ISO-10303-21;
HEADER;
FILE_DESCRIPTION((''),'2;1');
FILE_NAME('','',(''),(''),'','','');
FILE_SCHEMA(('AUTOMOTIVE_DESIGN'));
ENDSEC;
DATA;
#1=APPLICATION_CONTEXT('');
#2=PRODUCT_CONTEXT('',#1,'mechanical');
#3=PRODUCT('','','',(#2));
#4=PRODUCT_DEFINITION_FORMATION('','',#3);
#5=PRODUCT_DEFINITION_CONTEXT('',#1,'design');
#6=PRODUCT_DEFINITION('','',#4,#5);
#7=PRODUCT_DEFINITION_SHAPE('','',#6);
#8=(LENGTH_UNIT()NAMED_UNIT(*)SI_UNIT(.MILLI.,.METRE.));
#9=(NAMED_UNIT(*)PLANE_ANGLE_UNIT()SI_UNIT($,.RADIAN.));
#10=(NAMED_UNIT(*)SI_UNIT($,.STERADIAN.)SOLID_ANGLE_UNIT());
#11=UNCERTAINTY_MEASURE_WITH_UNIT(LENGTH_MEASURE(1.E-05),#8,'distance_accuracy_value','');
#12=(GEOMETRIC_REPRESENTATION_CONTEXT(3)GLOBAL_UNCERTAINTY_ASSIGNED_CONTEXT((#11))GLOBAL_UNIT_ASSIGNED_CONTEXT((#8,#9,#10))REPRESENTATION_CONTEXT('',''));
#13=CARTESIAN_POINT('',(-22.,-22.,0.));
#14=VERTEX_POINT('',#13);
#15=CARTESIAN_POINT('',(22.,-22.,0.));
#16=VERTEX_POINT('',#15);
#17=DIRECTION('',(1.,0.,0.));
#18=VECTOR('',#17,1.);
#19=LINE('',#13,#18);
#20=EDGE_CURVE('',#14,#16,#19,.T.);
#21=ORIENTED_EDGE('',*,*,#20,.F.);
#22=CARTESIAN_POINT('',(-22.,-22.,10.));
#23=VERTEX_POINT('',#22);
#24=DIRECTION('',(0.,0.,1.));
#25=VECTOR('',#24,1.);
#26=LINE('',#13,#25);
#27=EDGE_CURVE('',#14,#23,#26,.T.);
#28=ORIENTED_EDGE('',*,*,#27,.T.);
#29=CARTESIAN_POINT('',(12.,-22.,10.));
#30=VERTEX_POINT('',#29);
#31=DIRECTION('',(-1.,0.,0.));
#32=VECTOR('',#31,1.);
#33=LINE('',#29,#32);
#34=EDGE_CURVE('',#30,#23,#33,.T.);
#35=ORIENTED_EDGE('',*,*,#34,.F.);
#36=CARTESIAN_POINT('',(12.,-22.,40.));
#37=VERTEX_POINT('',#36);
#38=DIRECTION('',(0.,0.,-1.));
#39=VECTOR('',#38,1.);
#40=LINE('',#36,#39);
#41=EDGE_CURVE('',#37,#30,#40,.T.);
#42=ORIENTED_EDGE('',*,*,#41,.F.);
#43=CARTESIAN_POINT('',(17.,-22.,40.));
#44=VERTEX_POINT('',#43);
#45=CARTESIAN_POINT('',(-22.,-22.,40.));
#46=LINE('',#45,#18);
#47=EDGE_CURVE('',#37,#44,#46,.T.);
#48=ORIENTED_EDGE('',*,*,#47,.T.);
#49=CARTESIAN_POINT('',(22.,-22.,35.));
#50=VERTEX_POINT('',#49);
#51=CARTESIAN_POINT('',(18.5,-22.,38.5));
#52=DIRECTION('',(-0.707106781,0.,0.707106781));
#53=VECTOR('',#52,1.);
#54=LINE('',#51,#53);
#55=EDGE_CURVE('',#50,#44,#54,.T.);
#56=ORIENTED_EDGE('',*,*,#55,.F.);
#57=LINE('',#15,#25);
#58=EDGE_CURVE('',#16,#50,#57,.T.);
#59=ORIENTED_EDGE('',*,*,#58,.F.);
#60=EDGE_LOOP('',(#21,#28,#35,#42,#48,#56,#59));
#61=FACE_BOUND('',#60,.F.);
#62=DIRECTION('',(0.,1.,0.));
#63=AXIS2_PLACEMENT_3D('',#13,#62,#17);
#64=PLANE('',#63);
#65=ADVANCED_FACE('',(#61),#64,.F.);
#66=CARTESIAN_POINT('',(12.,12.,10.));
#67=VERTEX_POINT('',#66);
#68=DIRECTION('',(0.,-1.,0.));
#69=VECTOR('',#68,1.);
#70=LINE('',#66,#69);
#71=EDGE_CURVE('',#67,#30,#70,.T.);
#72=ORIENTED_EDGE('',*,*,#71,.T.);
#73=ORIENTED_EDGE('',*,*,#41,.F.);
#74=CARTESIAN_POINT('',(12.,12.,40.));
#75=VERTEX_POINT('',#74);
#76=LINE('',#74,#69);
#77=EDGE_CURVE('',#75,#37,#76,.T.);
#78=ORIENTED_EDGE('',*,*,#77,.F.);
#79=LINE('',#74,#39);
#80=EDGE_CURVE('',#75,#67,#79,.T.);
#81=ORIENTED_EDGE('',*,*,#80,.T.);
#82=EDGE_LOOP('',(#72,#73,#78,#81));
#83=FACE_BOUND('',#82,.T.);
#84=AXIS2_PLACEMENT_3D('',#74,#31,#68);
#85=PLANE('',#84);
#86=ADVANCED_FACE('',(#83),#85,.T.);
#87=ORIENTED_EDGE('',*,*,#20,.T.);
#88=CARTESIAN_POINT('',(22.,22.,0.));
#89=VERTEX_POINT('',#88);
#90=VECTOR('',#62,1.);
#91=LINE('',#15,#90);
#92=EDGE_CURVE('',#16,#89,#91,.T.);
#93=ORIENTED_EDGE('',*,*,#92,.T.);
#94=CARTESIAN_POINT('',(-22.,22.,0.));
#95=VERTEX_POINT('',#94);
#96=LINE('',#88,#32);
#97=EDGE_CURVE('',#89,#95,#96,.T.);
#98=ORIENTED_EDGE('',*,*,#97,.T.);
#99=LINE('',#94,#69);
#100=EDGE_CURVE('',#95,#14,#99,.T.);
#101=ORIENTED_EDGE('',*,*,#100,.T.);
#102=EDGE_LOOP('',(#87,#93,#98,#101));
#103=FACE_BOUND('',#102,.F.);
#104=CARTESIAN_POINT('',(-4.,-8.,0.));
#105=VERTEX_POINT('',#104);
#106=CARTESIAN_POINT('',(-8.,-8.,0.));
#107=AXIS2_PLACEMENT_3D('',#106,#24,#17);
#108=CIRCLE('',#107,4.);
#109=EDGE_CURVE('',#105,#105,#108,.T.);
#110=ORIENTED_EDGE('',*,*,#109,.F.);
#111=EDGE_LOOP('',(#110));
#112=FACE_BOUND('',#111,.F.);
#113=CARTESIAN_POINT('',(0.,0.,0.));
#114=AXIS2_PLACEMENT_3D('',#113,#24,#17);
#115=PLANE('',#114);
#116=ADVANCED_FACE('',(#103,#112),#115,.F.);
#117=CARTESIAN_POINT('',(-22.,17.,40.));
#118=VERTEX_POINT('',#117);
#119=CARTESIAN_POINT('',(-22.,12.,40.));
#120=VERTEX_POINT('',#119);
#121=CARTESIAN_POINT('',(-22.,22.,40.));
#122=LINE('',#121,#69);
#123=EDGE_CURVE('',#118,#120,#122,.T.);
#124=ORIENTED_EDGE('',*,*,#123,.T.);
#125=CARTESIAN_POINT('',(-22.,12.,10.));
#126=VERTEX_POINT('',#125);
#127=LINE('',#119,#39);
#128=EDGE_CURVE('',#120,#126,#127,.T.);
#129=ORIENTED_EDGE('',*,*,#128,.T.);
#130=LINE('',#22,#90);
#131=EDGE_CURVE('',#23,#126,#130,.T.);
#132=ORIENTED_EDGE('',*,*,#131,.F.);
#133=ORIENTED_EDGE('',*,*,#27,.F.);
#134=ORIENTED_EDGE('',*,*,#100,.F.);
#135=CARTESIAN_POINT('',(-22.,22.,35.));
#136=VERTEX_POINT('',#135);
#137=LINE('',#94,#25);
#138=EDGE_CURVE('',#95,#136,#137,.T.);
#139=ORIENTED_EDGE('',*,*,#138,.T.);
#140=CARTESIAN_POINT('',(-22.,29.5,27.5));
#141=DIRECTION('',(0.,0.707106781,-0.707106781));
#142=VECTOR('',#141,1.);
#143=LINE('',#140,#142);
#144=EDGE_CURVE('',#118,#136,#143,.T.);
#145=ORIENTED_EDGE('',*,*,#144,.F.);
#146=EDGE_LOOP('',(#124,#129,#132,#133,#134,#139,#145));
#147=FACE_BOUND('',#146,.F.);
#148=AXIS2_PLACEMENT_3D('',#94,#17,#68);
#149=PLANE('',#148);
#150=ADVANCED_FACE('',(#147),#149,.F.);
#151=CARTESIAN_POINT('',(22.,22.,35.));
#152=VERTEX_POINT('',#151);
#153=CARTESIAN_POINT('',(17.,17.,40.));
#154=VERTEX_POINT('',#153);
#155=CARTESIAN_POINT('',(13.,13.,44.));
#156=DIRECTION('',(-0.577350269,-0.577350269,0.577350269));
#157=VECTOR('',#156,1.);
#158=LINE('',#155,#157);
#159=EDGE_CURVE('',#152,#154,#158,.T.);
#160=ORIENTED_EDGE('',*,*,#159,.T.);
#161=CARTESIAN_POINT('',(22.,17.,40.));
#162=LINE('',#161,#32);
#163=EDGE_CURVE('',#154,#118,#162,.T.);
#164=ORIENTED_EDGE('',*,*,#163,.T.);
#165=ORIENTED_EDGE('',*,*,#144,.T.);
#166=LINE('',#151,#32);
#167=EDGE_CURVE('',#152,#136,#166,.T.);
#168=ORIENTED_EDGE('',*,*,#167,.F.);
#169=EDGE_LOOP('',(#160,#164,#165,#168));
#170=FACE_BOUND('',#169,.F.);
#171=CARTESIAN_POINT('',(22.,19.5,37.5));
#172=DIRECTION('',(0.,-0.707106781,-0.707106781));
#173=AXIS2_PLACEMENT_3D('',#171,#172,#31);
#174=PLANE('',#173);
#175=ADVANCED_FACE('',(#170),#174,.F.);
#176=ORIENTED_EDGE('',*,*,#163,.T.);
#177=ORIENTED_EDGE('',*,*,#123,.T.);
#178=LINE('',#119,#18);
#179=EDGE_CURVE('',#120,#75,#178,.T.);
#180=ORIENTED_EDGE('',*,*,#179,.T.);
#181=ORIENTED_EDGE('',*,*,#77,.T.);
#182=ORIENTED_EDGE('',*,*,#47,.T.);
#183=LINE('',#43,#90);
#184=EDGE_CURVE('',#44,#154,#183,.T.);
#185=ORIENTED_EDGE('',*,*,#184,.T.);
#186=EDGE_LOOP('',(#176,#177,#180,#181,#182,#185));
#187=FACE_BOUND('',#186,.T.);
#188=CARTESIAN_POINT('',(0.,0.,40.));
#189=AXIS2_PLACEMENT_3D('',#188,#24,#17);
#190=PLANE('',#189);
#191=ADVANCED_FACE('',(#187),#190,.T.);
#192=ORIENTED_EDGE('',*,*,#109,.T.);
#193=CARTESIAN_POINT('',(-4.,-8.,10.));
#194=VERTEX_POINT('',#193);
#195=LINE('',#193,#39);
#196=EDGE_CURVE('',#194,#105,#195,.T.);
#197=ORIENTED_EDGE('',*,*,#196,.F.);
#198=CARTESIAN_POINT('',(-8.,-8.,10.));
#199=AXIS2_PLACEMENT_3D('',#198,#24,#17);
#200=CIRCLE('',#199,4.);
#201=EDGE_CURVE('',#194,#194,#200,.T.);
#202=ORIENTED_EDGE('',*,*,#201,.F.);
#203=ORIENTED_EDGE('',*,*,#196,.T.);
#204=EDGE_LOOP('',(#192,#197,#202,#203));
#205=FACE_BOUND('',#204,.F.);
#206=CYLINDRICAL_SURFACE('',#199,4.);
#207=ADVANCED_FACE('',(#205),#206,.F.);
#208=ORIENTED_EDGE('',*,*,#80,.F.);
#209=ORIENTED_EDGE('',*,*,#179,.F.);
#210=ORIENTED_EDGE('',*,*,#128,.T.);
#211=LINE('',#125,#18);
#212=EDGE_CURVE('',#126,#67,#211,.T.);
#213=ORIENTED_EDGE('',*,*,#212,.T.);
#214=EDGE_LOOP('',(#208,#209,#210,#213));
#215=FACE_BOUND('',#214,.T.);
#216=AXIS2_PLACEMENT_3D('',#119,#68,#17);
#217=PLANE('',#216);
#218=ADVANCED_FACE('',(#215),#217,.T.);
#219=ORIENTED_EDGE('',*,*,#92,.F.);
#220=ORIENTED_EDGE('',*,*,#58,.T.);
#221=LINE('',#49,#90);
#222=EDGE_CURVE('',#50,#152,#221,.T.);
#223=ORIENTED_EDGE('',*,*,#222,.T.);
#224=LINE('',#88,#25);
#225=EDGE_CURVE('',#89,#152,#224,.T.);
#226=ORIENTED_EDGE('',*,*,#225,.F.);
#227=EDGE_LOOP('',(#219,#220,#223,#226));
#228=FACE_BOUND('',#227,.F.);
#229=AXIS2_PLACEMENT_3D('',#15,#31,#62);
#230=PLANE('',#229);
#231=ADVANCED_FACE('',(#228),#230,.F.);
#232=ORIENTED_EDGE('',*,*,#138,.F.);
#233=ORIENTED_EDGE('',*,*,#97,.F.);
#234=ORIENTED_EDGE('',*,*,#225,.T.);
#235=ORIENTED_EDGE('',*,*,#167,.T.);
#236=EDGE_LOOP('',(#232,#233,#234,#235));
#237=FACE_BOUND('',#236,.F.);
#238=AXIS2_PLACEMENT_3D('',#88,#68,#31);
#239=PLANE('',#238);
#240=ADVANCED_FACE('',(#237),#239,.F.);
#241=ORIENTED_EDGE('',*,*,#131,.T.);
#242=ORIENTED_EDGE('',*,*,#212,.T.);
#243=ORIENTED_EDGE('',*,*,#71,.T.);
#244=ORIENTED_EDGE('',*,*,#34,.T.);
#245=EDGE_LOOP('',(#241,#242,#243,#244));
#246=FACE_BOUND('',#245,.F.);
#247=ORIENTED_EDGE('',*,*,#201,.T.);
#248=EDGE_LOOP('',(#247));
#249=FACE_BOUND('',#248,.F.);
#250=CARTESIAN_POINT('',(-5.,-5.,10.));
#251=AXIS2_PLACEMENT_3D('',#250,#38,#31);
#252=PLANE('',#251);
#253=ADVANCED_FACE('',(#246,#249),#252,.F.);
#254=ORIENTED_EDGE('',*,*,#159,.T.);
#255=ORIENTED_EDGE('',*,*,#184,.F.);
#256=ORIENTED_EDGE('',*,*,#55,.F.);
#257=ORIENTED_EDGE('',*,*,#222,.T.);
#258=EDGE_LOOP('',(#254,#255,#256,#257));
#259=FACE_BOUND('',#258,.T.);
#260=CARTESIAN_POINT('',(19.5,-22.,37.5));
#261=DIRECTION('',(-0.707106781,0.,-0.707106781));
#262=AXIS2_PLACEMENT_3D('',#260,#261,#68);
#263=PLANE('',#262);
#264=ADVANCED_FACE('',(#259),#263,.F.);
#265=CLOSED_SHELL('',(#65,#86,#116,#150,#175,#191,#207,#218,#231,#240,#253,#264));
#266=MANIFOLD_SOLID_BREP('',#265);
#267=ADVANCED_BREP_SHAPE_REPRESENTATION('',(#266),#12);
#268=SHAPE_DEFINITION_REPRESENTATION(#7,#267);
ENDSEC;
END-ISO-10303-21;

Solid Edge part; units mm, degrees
sketch "Sketch1" plane through (0, 0, 0) normal (0, 0, 1) x (1, 0, 0)
  line L0 (-22, -22) -> (22, -22)
  line L1 (22, -22) -> (22, 22)
  line L2 (22, 22) -> (-22, 22)
  line L3 (-22, 22) -> (-22, -22)
  dimension "D1" = 44
extrude "Protrusion1" add sketch "Sketch1" along normal blind 40
sketch "Sketch2" plane through (0, 0, 40) normal (0, 0, 1) x (1, 0, 0)
  line L0 (-22, 12) -> (12, 12)
  line L1 (12, 12) -> (12, -22)
  line L2 (12, -22) -> (-22, -22)
  line L3 (-22, -22) -> (-22, 12)
  dimension "D1" = 34
extrude "ExtrudedCutout_1" cut sketch "Sketch2" against normal blind 30
chamfer "Chamfer_1" distance 5 angle 45 2 edges at (22, 0, 40) (0, 22, 40)
sketch "Sketch3" plane through (-5, -5, 10) normal (0, 0, 1) x (1, 0, 0)
  circle A0 centre (-3, -3) radius 4
  dimension "D1" = 8
extrude "Cutout1" cut sketch "Sketch3" against normal through all
properties material "Polyethylene, low density"
